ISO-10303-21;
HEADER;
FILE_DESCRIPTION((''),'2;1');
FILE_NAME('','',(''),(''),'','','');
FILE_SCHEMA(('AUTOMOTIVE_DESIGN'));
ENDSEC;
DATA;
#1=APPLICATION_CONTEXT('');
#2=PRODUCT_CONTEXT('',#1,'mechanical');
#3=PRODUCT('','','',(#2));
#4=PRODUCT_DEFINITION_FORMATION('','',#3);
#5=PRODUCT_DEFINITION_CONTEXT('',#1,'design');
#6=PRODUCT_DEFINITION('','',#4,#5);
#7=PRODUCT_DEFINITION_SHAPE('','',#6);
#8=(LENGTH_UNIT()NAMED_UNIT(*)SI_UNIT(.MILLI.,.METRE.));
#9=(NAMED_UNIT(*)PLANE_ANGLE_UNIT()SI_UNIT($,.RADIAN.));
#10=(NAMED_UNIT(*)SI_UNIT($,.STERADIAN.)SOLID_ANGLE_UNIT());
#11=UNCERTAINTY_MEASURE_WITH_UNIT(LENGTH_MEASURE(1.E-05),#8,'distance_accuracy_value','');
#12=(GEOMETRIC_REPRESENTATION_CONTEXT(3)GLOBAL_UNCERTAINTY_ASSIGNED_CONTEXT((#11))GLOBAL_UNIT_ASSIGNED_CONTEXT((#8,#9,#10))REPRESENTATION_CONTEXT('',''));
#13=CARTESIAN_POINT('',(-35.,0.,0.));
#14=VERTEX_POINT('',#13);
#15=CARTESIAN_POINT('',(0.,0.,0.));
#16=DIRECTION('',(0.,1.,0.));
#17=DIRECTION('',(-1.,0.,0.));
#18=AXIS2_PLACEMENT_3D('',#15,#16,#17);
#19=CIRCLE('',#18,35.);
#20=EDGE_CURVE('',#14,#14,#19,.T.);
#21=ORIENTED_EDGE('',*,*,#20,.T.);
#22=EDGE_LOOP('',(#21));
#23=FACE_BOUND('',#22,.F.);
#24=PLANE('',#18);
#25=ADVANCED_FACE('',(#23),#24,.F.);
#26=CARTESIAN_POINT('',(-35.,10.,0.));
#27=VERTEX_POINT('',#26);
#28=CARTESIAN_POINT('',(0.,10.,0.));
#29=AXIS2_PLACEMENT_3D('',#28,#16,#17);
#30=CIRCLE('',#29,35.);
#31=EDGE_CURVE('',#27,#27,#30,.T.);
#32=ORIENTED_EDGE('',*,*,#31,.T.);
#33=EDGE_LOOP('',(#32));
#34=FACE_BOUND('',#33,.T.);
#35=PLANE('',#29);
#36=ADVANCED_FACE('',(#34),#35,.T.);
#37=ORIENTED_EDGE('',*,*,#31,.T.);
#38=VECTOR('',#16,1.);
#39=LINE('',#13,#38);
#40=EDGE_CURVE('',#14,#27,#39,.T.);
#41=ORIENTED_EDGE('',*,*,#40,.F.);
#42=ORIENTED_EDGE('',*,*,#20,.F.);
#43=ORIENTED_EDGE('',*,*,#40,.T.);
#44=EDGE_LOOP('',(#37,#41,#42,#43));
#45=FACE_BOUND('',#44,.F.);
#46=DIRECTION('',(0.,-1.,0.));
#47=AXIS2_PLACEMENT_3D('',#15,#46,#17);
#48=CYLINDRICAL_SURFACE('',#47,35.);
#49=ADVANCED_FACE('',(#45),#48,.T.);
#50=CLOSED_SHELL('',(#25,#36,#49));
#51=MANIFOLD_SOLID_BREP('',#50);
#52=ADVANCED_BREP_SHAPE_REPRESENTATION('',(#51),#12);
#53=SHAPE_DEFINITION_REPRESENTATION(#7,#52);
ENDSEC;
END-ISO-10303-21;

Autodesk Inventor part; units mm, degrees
ref_plane "YZ Plane" through (0, 0, 0) normal (1, 0, 0) x (0, 1, 0)
ref_plane "XZ Plane" through (0, 0, 0) normal (0, 1, 0) x (-1, 0, 0)
ref_plane "XY Plane" through (0, 0, 0) normal (0, 0, 1) x (1, 0, 0)
sketch "スケッチ1" plane through (0, 0, 0) normal (0, 1, 0) x (-1, 0, 0)
  circle A0 centre (0, 0) radius 35
  dimension "d0" = 70
extrude "押し出し1" add sketch "スケッチ1" along normal blind 10
properties part number "inkpad"
